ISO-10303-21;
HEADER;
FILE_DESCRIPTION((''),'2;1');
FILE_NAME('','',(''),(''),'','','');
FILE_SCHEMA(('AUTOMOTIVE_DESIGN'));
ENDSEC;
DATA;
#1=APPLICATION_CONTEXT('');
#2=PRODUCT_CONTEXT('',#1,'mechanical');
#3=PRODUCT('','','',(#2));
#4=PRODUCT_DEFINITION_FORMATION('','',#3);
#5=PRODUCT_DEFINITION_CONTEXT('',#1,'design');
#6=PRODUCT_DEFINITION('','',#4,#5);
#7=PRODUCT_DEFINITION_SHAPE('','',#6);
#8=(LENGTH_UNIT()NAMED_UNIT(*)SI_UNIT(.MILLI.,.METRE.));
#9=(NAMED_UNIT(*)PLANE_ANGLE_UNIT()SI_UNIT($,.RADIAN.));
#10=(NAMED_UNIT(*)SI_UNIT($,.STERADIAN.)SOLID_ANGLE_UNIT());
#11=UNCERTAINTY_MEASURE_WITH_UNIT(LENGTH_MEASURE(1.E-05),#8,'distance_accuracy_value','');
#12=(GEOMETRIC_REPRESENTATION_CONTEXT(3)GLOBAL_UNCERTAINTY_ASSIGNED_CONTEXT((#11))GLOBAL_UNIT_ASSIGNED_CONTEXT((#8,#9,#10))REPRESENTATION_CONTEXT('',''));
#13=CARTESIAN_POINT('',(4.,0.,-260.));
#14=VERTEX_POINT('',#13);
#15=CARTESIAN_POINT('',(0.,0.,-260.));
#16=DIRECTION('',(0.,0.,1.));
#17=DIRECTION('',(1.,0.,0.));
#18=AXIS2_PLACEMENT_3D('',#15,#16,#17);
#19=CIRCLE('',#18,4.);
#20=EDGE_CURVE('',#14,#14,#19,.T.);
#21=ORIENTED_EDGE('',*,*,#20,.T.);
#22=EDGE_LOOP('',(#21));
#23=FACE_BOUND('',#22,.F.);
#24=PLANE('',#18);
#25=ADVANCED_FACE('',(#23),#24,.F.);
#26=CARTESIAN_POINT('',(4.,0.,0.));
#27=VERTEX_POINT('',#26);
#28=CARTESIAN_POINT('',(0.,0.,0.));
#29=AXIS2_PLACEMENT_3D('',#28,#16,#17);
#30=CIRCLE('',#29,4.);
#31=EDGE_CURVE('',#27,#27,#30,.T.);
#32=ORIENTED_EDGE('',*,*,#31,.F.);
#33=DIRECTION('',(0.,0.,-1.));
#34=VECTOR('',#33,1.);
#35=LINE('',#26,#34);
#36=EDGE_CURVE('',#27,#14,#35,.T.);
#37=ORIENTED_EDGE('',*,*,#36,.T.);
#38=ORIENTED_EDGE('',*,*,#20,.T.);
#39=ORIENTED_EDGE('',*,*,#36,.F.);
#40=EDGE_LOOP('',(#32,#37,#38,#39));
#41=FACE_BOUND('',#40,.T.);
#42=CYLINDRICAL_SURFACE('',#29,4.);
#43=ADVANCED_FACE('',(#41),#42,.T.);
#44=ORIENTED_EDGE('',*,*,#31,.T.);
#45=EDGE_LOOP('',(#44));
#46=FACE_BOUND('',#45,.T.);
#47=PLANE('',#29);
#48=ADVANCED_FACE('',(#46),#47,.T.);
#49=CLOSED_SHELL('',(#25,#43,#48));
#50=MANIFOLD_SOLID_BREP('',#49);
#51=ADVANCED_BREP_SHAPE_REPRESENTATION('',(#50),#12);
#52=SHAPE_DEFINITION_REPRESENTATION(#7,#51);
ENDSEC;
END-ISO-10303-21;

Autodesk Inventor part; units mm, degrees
ref_plane "YZ Plane" through (0, 0, 0) normal (1, 0, 0) x (0, 1, 0)
ref_plane "XZ Plane" through (0, 0, 0) normal (0, 1, 0) x (-1, 0, 0)
ref_plane "XY Plane" through (0, 0, 0) normal (0, 0, 1) x (1, 0, 0)
sketch "Sketch1" plane through (0, 0, 0) normal (0, 0, 1) x (1, 0, 0)
  circle A0 centre (0, 0) radius 4
  dimension "d0" = 8
extrude "Extrusion1" add sketch "Sketch1" against normal blind 260
properties part number "8mm_rod_345" material "Steel, High Strength, Low Alloy"
